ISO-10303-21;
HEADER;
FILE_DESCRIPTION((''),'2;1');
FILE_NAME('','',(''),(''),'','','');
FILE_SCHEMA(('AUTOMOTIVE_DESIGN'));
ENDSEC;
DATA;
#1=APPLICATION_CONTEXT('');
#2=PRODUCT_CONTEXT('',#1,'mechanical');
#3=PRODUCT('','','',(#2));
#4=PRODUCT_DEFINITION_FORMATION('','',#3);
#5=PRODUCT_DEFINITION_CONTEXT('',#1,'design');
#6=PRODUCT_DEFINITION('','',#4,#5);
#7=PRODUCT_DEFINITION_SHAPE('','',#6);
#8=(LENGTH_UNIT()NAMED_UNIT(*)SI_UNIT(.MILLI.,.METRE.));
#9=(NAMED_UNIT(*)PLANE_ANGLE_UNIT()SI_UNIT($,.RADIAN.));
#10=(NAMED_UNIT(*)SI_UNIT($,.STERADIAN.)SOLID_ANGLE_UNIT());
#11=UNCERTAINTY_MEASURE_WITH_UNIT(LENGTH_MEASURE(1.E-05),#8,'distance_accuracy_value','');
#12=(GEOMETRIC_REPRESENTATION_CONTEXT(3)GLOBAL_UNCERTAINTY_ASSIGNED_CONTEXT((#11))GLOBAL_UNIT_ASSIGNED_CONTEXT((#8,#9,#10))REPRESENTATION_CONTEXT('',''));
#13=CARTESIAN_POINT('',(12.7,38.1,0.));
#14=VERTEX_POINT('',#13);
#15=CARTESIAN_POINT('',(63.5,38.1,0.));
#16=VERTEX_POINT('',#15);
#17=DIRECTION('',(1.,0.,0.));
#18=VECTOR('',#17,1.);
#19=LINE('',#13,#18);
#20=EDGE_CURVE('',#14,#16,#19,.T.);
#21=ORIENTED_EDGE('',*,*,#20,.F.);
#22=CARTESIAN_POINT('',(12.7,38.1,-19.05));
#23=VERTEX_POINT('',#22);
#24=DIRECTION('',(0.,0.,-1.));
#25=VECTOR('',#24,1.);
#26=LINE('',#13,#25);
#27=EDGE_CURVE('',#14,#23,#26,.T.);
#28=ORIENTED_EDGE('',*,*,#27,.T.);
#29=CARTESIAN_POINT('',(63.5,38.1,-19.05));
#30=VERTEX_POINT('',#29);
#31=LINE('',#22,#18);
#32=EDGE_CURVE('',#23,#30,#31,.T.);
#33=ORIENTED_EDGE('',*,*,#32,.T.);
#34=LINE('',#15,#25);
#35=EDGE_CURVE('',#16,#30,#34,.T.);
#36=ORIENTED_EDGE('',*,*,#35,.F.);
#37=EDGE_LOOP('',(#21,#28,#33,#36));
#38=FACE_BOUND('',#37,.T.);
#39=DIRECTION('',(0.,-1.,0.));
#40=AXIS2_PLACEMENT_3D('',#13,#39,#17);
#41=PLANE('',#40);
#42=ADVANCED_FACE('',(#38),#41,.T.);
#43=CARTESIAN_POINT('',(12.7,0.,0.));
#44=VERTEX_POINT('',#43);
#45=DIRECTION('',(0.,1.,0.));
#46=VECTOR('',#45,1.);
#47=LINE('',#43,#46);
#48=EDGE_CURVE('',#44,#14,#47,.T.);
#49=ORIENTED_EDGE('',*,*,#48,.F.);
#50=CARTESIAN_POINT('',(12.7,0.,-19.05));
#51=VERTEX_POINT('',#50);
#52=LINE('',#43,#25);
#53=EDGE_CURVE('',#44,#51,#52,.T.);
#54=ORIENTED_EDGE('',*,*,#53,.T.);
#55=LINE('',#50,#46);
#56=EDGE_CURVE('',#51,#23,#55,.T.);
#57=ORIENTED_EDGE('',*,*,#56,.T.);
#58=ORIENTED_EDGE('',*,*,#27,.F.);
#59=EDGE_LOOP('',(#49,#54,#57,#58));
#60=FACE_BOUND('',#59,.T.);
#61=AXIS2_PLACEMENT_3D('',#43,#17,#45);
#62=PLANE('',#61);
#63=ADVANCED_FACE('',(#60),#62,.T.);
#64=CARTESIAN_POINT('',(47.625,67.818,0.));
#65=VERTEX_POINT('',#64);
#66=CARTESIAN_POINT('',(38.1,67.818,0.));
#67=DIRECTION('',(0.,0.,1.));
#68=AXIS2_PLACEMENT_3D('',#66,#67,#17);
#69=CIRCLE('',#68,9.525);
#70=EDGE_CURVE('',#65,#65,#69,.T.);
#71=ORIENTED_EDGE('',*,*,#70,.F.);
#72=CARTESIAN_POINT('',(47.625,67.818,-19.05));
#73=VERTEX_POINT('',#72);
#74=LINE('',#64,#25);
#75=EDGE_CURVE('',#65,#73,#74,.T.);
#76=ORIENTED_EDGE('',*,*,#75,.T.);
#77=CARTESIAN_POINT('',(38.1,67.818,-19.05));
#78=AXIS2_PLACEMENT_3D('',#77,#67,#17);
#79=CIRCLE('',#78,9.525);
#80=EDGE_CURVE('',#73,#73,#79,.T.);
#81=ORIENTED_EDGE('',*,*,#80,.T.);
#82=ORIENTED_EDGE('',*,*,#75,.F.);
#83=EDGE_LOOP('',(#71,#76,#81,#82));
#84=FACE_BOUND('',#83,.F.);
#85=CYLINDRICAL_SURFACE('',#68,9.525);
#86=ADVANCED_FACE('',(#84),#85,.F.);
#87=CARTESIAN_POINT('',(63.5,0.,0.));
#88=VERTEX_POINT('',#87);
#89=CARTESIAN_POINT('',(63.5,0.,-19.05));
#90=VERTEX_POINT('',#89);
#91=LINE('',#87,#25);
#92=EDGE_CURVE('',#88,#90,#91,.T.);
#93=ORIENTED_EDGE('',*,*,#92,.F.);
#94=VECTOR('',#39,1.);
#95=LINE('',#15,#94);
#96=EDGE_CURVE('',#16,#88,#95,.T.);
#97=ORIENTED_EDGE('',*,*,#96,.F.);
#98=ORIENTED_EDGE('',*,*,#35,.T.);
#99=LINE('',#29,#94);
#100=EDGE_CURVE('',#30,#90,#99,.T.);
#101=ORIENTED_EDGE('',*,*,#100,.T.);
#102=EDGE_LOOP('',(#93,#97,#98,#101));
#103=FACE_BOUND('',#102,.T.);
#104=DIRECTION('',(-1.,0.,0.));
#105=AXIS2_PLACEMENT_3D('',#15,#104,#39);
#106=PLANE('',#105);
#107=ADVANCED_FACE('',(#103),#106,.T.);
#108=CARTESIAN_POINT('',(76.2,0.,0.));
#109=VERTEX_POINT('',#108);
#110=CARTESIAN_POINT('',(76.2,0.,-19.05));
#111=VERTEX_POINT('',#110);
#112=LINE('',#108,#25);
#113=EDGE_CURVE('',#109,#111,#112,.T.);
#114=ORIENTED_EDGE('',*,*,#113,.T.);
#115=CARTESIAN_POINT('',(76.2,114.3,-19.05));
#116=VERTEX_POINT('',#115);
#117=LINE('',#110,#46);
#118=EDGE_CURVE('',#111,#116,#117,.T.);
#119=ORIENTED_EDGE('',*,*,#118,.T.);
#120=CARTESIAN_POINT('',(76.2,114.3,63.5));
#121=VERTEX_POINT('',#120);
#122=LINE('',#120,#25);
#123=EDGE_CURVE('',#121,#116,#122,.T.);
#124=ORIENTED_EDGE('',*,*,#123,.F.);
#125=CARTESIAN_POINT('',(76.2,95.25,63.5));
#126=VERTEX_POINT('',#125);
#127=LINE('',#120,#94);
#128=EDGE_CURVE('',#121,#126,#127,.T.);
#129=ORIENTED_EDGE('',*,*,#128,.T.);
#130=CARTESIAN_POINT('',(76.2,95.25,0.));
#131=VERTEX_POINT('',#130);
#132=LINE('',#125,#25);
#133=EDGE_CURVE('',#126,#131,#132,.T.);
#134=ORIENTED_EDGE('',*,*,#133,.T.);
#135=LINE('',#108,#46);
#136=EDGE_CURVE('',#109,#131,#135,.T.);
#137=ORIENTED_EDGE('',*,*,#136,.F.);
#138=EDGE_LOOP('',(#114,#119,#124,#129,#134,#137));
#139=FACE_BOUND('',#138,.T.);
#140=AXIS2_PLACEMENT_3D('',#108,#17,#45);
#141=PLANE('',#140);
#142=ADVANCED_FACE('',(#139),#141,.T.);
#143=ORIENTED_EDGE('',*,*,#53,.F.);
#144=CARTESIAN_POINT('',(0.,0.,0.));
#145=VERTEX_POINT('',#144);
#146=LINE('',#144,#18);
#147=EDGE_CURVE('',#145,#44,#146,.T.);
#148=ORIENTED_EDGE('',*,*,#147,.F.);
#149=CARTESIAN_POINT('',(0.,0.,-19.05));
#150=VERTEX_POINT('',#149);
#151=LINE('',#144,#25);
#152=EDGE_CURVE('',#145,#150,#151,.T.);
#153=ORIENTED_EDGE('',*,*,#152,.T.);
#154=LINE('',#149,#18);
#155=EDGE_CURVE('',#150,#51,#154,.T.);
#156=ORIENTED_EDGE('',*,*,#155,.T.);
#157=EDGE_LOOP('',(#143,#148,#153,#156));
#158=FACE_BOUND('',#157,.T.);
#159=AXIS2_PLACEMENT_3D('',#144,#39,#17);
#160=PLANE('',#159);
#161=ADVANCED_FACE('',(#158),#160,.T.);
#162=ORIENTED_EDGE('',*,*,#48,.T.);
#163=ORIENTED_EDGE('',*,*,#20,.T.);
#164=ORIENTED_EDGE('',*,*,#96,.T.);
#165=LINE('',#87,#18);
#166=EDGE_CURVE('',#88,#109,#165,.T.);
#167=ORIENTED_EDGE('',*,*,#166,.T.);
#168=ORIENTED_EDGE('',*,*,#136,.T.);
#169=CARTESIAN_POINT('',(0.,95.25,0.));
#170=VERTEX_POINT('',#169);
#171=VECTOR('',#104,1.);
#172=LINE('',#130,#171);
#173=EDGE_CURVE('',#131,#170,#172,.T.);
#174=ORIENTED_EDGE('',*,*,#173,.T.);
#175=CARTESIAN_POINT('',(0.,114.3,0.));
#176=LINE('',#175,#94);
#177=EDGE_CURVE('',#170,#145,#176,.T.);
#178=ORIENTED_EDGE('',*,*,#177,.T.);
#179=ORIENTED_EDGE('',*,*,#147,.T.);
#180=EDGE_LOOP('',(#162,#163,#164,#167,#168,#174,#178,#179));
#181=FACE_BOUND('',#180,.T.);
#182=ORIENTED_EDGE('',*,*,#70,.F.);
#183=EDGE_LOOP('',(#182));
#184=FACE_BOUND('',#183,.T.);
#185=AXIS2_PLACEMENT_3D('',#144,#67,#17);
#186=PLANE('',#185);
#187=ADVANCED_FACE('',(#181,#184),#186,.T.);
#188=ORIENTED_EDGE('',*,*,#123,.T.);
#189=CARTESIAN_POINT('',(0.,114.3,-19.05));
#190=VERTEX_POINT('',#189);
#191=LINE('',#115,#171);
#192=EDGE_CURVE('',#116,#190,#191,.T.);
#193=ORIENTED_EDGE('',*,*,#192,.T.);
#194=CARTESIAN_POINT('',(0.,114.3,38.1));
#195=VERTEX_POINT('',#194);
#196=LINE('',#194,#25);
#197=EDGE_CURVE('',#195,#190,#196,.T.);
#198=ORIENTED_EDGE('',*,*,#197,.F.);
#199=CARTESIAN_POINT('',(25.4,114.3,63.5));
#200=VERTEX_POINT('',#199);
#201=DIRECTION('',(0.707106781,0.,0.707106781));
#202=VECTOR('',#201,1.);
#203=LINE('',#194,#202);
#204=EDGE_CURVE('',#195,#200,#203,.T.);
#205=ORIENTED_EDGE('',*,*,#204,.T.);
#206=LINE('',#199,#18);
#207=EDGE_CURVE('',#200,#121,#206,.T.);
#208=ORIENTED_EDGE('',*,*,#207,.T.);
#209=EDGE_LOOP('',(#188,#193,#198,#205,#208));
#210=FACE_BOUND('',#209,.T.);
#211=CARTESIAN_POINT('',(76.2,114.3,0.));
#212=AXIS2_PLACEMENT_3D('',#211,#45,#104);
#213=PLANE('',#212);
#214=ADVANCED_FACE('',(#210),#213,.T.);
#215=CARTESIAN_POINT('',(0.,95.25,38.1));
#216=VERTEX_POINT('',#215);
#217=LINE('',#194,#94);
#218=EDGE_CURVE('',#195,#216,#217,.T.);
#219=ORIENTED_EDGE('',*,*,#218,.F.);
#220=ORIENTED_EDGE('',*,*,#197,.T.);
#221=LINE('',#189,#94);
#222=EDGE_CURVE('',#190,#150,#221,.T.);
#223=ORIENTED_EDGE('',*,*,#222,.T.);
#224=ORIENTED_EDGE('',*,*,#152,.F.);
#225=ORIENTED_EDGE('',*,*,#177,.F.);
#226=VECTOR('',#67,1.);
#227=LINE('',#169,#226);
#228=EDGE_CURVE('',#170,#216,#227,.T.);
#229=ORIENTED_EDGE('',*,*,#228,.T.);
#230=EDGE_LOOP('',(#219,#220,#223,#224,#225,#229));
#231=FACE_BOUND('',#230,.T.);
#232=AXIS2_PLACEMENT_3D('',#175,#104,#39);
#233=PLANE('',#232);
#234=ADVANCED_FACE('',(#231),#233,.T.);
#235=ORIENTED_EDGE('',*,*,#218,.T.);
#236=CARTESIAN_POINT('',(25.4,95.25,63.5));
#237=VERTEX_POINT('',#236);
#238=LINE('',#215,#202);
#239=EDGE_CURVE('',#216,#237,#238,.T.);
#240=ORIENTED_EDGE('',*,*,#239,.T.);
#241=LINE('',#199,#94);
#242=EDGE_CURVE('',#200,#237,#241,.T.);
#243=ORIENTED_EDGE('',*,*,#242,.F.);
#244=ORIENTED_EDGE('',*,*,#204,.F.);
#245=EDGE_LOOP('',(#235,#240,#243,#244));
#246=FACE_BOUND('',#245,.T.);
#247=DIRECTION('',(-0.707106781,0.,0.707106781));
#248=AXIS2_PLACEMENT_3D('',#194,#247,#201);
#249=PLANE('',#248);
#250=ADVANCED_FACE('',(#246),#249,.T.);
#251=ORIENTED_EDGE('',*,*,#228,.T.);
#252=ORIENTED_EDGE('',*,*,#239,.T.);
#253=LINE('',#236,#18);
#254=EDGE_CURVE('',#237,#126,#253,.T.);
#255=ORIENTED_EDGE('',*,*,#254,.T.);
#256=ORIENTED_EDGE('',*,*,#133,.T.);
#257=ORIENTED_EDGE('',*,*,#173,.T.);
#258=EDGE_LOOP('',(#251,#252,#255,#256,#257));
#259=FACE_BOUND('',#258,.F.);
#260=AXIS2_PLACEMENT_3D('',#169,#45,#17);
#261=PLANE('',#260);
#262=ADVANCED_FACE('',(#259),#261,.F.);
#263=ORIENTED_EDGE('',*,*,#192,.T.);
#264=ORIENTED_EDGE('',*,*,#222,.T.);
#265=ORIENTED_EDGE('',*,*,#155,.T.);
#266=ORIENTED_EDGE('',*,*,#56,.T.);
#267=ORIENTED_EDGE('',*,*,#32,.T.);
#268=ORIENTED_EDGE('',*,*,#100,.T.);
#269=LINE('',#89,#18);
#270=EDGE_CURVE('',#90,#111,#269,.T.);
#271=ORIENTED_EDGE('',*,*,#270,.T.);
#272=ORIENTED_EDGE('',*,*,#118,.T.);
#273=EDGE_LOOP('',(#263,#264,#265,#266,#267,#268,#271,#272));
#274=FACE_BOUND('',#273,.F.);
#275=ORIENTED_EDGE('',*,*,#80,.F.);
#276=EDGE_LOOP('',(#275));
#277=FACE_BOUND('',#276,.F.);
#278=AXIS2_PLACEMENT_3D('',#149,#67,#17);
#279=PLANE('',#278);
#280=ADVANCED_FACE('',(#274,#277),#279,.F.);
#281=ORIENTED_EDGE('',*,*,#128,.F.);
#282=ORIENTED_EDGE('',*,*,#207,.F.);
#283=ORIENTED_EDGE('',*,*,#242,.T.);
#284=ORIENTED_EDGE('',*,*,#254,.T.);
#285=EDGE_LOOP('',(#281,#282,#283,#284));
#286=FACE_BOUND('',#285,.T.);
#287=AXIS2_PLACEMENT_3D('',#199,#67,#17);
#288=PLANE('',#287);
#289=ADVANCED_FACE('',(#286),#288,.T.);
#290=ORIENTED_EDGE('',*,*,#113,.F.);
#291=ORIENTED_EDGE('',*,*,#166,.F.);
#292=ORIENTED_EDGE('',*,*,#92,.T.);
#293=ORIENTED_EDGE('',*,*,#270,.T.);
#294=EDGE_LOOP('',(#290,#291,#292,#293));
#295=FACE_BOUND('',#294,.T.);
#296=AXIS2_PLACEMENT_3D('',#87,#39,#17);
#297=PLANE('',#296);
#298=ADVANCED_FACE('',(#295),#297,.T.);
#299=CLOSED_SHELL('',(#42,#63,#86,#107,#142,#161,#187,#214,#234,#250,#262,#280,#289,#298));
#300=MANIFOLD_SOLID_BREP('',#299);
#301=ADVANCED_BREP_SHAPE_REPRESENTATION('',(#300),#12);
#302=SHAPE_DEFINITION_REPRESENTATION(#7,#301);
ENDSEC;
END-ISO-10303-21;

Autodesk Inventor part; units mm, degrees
ref_plane "YZ Plane" through (0, 0, 0) normal (1, 0, 0) x (0, 1, 0)
ref_plane "XZ Plane" through (0, 0, 0) normal (0, 1, 0) x (-1, 0, 0)
ref_plane "XY Plane" through (0, 0, 0) normal (0, 0, 1) x (1, 0, 0)
sketch "Sketch1" plane through (0, 0, 0) normal (0, 0, 1) x (1, 0, 0)
  line L0 (0, 0) -> (12.7, 0)
  line L1 (12.7, 0) -> (12.7, 38.1)
  line L2 (12.7, 38.1) -> (63.5, 38.1)
  line L3 (63.5, 38.1) -> (63.5, 0)
  line L4 (63.5, 0) -> (76.2, 0)
  line L5 (76.2, 0) -> (76.2, 114.3)
  line L6 (76.2, 114.3) -> (0, 114.3)
  line L7 (0, 114.3) -> (0, 0)
  circle A0 centre (38.1, 67.818) radius 9.525
  dimension "d0" = 12.7
  dimension "d1" = 50.8
  dimension "d2" = 76.2
  dimension "d3" = 114.3
  dimension "d4" = 38.1
  dimension "d5" = 19.05
  dimension "d6" = 67.818
  dimension "d7" = 38.1
extrude "Extrusion1" add sketch "Sketch1" against normal blind 19.05
sketch "Sketch3" plane through (0, 114.3, 0) normal (0, 1, 0) x (1, 0, 0)
  line L0 (0, 0) -> (0, -38.1)
  line L1 (0, -38.1) -> (25.4, -63.5)
  line L2 (25.4, -63.5) -> (76.2, -63.5)
  line L3 (0, 0) -> (12.7, 0) projected
  line L4 (76.2, -63.5) -> (76.2, 0)
  line L5 (76.2, 0) -> (0, 0) projected
  dimension "d10" = 90
  dimension "d11" = 90
  dimension "d12" = 50.8
  dimension "d13" = 25.4
  dimension "d14" = 63.5
extrude "Extrusion2" add sketch "Sketch3" against normal blind 19.05
properties part number "HW 2 Part 6"
